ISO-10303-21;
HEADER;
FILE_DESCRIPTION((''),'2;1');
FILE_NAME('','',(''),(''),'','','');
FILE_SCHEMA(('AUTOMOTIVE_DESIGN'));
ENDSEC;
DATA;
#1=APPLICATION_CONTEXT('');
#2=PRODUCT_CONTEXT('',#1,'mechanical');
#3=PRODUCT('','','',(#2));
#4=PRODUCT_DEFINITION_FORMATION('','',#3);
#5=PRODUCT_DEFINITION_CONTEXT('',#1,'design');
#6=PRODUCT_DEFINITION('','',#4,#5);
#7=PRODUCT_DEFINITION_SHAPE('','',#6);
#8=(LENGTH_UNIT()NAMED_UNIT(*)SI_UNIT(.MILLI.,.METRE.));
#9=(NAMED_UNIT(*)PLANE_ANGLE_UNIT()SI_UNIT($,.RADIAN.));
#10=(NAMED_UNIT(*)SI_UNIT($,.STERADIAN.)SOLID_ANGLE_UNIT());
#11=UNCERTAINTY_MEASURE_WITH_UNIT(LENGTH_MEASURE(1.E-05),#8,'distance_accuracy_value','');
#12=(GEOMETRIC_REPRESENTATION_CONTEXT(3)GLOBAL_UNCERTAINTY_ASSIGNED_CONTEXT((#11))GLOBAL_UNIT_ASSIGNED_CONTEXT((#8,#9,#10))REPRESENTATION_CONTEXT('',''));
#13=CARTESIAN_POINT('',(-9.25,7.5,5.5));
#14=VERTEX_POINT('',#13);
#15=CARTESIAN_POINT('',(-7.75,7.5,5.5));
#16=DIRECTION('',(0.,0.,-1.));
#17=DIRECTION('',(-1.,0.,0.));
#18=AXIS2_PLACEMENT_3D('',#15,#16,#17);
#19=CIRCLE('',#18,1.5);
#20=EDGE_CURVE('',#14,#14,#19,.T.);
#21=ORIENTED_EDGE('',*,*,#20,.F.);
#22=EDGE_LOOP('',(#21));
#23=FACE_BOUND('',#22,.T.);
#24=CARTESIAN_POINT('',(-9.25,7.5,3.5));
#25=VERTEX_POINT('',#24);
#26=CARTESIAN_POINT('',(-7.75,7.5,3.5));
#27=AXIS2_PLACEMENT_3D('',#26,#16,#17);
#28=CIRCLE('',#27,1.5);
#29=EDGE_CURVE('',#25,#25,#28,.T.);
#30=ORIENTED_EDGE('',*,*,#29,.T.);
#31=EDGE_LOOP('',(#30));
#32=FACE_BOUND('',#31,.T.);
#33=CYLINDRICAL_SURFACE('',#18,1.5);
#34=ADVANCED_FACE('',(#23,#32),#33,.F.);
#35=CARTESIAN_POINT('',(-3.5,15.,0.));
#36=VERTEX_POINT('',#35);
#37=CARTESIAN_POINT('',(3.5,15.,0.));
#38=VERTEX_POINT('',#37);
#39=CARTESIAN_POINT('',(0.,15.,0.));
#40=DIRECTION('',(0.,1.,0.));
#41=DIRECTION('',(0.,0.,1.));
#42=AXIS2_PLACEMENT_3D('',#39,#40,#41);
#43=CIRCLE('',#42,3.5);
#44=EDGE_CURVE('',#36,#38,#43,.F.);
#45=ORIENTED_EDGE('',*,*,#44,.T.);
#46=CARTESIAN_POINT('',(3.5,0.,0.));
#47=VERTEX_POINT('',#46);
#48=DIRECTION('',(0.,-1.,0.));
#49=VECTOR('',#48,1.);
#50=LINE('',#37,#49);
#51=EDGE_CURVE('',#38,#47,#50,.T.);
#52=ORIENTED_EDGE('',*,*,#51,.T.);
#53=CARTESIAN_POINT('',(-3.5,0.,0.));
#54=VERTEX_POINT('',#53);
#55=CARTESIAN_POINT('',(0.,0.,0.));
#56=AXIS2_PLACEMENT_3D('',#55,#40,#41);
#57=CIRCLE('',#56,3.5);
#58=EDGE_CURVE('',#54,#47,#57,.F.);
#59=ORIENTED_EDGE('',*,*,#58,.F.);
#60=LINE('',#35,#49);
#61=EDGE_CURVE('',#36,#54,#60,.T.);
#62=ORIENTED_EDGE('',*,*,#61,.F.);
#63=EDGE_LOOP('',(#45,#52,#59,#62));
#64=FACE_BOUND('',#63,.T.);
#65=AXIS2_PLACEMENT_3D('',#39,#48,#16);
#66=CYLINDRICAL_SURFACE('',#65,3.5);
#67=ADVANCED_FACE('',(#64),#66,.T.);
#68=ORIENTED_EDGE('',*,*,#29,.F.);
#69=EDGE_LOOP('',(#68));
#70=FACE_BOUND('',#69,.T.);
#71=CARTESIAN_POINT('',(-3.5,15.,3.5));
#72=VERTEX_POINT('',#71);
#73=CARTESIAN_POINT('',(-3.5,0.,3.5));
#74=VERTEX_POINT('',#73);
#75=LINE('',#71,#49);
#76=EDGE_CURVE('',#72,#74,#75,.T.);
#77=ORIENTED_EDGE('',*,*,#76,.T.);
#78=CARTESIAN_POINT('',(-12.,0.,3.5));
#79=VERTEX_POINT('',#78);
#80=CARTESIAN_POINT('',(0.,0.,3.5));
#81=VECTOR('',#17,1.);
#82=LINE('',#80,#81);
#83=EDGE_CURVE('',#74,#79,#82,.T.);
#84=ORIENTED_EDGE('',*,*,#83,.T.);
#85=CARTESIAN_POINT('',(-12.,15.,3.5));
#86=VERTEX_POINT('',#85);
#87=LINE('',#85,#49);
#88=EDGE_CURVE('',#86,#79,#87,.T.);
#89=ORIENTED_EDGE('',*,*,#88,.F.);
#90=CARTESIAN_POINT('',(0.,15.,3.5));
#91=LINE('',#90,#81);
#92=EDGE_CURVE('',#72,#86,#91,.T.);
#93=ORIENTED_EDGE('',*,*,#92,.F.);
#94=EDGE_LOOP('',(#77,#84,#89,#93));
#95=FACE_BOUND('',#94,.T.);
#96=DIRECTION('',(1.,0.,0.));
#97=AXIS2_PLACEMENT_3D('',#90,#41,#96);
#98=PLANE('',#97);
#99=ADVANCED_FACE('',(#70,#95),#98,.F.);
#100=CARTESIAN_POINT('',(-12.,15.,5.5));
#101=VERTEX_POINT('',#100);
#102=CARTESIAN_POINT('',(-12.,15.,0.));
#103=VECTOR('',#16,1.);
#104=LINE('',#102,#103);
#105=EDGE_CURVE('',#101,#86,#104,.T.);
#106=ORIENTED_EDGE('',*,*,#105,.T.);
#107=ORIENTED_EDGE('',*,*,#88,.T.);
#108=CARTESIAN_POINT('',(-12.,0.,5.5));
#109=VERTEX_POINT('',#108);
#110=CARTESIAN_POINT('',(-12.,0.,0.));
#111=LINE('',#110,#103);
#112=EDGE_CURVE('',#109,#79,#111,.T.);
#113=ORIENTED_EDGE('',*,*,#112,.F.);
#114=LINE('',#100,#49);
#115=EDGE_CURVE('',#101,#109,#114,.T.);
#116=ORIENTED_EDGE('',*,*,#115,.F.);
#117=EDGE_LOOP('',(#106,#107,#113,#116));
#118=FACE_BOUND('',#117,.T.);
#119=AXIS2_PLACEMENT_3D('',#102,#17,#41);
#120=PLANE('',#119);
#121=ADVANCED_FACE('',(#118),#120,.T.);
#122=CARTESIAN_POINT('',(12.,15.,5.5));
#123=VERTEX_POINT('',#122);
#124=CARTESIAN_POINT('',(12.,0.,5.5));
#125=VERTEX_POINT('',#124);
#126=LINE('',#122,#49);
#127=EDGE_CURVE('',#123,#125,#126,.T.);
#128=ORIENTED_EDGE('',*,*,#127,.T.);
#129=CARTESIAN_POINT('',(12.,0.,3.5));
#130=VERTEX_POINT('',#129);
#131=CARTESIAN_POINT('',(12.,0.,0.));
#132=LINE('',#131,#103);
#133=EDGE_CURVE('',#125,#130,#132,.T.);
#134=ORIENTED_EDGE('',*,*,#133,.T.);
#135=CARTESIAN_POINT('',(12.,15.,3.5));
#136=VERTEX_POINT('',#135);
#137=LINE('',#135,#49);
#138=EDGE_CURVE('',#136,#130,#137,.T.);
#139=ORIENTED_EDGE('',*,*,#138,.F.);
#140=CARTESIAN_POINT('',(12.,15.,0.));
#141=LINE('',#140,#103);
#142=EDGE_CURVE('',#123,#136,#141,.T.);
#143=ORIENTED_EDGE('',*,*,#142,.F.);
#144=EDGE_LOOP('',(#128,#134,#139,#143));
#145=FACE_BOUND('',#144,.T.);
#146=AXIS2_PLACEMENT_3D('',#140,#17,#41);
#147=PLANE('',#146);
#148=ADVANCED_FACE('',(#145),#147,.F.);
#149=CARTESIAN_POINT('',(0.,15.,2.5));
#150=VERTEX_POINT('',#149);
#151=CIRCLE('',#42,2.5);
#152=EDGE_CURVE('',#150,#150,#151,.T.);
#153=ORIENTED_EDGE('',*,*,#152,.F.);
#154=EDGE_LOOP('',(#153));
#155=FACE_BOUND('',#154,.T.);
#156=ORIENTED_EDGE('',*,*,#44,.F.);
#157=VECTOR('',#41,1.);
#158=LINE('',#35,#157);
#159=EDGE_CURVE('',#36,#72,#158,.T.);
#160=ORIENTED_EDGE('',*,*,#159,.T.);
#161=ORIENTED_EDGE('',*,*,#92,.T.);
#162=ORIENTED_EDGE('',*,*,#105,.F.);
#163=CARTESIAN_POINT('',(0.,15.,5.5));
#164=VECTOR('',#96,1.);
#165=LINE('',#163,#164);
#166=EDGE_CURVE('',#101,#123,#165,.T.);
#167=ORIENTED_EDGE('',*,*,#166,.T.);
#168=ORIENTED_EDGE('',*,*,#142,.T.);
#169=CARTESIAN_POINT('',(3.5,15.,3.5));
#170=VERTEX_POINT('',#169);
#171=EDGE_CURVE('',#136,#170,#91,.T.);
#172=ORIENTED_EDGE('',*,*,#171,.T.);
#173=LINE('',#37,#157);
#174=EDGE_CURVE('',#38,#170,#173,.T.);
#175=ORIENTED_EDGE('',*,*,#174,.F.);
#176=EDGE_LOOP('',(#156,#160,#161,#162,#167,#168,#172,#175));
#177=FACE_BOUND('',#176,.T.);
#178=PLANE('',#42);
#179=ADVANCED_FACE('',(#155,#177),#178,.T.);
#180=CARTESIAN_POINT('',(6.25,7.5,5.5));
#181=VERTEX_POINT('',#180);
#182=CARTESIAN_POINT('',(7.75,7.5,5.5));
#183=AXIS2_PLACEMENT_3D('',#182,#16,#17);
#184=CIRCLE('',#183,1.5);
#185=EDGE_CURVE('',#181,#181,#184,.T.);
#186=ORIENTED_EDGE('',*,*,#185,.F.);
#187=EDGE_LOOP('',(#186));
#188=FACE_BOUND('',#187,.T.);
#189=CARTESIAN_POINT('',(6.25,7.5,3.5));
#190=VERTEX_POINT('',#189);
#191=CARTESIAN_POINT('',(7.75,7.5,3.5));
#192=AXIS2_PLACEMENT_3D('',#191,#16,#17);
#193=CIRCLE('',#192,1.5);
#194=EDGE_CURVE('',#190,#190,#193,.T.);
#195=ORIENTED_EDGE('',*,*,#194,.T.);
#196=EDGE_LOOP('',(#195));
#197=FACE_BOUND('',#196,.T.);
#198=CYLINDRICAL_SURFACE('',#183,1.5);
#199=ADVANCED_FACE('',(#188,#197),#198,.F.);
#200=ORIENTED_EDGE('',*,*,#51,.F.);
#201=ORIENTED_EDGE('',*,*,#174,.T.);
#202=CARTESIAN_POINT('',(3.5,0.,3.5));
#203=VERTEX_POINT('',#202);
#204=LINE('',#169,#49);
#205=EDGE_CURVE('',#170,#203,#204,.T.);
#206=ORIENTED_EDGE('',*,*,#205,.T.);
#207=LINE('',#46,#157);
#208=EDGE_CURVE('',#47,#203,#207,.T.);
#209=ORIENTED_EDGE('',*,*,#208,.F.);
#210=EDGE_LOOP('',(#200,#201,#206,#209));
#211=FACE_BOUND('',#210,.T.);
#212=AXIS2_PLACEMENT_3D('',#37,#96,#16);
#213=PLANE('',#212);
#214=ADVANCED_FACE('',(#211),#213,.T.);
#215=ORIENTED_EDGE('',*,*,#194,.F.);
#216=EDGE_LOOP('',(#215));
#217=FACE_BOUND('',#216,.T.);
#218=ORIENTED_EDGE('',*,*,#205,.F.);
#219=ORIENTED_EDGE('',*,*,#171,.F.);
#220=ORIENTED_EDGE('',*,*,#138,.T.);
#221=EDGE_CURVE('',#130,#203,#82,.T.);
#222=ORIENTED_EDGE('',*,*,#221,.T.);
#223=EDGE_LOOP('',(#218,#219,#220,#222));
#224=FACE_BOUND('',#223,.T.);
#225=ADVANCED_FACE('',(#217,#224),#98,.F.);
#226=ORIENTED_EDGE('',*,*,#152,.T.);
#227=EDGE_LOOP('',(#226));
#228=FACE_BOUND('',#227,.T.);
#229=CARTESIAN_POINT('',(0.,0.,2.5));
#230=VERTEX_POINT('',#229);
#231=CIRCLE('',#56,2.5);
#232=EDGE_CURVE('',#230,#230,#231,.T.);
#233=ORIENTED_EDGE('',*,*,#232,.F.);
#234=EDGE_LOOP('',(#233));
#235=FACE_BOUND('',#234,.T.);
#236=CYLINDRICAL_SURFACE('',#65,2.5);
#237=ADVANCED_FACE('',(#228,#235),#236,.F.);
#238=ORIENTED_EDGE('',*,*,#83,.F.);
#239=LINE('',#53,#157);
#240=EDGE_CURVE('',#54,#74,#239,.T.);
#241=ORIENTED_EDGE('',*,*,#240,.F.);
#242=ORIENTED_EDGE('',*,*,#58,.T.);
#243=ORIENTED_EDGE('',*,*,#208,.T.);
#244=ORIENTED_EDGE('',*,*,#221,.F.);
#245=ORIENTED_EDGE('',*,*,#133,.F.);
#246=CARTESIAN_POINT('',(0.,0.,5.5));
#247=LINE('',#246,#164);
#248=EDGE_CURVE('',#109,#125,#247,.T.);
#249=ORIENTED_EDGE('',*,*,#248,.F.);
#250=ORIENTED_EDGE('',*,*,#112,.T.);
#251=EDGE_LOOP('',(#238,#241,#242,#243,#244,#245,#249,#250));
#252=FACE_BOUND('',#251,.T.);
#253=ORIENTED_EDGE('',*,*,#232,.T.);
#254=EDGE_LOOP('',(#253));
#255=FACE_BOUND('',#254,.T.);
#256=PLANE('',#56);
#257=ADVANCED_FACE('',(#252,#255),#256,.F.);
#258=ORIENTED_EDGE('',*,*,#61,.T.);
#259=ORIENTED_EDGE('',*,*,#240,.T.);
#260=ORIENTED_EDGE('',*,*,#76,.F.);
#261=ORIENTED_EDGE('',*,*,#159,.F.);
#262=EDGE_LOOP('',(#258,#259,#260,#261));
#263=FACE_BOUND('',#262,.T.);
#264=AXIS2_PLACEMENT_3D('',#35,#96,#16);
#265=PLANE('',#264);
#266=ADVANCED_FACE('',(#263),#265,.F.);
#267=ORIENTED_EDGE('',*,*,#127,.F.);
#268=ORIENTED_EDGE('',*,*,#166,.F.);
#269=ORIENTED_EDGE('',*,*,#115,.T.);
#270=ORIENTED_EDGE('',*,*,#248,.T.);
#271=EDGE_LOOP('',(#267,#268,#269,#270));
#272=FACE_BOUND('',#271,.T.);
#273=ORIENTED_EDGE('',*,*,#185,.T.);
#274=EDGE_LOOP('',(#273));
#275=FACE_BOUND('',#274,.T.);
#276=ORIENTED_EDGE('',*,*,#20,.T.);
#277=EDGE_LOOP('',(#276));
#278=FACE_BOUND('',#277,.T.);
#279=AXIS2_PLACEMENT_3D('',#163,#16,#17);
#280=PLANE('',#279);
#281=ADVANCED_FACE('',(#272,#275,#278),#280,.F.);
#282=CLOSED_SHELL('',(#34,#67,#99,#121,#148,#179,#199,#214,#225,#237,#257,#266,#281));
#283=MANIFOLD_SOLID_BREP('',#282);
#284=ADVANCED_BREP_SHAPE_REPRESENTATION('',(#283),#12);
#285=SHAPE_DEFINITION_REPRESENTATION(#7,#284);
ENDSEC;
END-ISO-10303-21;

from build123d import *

# Parameters (mm, degrees)
BOSS_EXTRUDE1_DEPTH = 15
CUT_EXTRUDE1_DEPTH  = 21.4450483


with BuildPart() as part:
    # Sketch1 → Boss-Extrude1 (new body)
    with BuildSketch(Plane(origin=(0, 0, 0), x_dir=(1, 0, 0), z_dir=(0, 1, 0))):
        with BuildLine():
            ThreePointArc((0, 2.5), (1.767766953, 1.767766953), (2.5, 0))
            Line((2.5, 0), (3.5, 0))
            ThreePointArc((3.5, 0), (2.474873734, 2.474873734), (0, 3.5))
            Line((0, 3.5), (0, 2.5))
        make_face()
        with BuildLine():
            Line((-3.5, 0), (-2.5, 0))
            ThreePointArc((-2.5, 0), (-1.767766953, 1.767766953), (0, 2.5))
            Line((0, 2.5), (0, 3.5))
            ThreePointArc((0, 3.5), (-2.474873734, 2.474873734), (-3.5, 0))
        make_face()
        with BuildLine():
            Line((0, -5.5), (0, -2.5))
            ThreePointArc((0, -2.5), (-1.767766953, -1.767766953), (-2.5, 0))
            Line((-2.5, 0), (-3.5, 0))
            Line((-3.5, 0), (-3.5, -3.5))
            Line((-3.5, -3.5), (-12, -3.5))
            Line((-12, -3.5), (-12, -5.5))
            Line((-12, -5.5), (0, -5.5))
        make_face()
        with BuildLine():
            ThreePointArc((2.5, 0), (1.767766953, -1.767766953), (0, -2.5))
            Line((0, -2.5), (0, -5.5))
            Line((0, -5.5), (12, -5.5))
            Line((12, -5.5), (12, -3.5))
            Line((12, -3.5), (3.5, -3.5))
            Line((3.5, -3.5), (3.5, 0))
            Line((3.5, 0), (2.5, 0))
        make_face()
    extrude(amount=BOSS_EXTRUDE1_DEPTH)

    # Sketch2 → Cut-Extrude1 (cut, through all)
    with BuildSketch(Plane(origin=(0, 0, 3.5), x_dir=(-1, 0, 0), z_dir=(0, 0, -1))):
        with BuildLine():
            ThreePointArc((-6.25, 7.5), (-6.689339828, 8.560660172), (-7.75, 9))
            Line((-7.75, 9), (-7.75, 6))
            ThreePointArc((-7.75, 6), (-6.689339828, 6.439339828), (-6.25, 7.5))
        make_face()
        with BuildLine():
            Line((-7.75, 6), (-7.75, 9))
            ThreePointArc((-7.75, 9), (-9.25, 7.5), (-7.75, 6))
        make_face()
        with BuildLine():
            ThreePointArc((9.25, 7.5), (8.810660172, 8.560660172), (7.75, 9))
            Line((7.75, 9), (7.75, 6))
            ThreePointArc((7.75, 6), (8.810660172, 6.439339828), (9.25, 7.5))
        make_face()
        with BuildLine():
            Line((7.75, 6), (7.75, 9))
            ThreePointArc((7.75, 9), (6.25, 7.5), (7.75, 6))
        make_face()
    extrude(amount=-CUT_EXTRUDE1_DEPTH, mode=Mode.SUBTRACT)


solid = part.part
